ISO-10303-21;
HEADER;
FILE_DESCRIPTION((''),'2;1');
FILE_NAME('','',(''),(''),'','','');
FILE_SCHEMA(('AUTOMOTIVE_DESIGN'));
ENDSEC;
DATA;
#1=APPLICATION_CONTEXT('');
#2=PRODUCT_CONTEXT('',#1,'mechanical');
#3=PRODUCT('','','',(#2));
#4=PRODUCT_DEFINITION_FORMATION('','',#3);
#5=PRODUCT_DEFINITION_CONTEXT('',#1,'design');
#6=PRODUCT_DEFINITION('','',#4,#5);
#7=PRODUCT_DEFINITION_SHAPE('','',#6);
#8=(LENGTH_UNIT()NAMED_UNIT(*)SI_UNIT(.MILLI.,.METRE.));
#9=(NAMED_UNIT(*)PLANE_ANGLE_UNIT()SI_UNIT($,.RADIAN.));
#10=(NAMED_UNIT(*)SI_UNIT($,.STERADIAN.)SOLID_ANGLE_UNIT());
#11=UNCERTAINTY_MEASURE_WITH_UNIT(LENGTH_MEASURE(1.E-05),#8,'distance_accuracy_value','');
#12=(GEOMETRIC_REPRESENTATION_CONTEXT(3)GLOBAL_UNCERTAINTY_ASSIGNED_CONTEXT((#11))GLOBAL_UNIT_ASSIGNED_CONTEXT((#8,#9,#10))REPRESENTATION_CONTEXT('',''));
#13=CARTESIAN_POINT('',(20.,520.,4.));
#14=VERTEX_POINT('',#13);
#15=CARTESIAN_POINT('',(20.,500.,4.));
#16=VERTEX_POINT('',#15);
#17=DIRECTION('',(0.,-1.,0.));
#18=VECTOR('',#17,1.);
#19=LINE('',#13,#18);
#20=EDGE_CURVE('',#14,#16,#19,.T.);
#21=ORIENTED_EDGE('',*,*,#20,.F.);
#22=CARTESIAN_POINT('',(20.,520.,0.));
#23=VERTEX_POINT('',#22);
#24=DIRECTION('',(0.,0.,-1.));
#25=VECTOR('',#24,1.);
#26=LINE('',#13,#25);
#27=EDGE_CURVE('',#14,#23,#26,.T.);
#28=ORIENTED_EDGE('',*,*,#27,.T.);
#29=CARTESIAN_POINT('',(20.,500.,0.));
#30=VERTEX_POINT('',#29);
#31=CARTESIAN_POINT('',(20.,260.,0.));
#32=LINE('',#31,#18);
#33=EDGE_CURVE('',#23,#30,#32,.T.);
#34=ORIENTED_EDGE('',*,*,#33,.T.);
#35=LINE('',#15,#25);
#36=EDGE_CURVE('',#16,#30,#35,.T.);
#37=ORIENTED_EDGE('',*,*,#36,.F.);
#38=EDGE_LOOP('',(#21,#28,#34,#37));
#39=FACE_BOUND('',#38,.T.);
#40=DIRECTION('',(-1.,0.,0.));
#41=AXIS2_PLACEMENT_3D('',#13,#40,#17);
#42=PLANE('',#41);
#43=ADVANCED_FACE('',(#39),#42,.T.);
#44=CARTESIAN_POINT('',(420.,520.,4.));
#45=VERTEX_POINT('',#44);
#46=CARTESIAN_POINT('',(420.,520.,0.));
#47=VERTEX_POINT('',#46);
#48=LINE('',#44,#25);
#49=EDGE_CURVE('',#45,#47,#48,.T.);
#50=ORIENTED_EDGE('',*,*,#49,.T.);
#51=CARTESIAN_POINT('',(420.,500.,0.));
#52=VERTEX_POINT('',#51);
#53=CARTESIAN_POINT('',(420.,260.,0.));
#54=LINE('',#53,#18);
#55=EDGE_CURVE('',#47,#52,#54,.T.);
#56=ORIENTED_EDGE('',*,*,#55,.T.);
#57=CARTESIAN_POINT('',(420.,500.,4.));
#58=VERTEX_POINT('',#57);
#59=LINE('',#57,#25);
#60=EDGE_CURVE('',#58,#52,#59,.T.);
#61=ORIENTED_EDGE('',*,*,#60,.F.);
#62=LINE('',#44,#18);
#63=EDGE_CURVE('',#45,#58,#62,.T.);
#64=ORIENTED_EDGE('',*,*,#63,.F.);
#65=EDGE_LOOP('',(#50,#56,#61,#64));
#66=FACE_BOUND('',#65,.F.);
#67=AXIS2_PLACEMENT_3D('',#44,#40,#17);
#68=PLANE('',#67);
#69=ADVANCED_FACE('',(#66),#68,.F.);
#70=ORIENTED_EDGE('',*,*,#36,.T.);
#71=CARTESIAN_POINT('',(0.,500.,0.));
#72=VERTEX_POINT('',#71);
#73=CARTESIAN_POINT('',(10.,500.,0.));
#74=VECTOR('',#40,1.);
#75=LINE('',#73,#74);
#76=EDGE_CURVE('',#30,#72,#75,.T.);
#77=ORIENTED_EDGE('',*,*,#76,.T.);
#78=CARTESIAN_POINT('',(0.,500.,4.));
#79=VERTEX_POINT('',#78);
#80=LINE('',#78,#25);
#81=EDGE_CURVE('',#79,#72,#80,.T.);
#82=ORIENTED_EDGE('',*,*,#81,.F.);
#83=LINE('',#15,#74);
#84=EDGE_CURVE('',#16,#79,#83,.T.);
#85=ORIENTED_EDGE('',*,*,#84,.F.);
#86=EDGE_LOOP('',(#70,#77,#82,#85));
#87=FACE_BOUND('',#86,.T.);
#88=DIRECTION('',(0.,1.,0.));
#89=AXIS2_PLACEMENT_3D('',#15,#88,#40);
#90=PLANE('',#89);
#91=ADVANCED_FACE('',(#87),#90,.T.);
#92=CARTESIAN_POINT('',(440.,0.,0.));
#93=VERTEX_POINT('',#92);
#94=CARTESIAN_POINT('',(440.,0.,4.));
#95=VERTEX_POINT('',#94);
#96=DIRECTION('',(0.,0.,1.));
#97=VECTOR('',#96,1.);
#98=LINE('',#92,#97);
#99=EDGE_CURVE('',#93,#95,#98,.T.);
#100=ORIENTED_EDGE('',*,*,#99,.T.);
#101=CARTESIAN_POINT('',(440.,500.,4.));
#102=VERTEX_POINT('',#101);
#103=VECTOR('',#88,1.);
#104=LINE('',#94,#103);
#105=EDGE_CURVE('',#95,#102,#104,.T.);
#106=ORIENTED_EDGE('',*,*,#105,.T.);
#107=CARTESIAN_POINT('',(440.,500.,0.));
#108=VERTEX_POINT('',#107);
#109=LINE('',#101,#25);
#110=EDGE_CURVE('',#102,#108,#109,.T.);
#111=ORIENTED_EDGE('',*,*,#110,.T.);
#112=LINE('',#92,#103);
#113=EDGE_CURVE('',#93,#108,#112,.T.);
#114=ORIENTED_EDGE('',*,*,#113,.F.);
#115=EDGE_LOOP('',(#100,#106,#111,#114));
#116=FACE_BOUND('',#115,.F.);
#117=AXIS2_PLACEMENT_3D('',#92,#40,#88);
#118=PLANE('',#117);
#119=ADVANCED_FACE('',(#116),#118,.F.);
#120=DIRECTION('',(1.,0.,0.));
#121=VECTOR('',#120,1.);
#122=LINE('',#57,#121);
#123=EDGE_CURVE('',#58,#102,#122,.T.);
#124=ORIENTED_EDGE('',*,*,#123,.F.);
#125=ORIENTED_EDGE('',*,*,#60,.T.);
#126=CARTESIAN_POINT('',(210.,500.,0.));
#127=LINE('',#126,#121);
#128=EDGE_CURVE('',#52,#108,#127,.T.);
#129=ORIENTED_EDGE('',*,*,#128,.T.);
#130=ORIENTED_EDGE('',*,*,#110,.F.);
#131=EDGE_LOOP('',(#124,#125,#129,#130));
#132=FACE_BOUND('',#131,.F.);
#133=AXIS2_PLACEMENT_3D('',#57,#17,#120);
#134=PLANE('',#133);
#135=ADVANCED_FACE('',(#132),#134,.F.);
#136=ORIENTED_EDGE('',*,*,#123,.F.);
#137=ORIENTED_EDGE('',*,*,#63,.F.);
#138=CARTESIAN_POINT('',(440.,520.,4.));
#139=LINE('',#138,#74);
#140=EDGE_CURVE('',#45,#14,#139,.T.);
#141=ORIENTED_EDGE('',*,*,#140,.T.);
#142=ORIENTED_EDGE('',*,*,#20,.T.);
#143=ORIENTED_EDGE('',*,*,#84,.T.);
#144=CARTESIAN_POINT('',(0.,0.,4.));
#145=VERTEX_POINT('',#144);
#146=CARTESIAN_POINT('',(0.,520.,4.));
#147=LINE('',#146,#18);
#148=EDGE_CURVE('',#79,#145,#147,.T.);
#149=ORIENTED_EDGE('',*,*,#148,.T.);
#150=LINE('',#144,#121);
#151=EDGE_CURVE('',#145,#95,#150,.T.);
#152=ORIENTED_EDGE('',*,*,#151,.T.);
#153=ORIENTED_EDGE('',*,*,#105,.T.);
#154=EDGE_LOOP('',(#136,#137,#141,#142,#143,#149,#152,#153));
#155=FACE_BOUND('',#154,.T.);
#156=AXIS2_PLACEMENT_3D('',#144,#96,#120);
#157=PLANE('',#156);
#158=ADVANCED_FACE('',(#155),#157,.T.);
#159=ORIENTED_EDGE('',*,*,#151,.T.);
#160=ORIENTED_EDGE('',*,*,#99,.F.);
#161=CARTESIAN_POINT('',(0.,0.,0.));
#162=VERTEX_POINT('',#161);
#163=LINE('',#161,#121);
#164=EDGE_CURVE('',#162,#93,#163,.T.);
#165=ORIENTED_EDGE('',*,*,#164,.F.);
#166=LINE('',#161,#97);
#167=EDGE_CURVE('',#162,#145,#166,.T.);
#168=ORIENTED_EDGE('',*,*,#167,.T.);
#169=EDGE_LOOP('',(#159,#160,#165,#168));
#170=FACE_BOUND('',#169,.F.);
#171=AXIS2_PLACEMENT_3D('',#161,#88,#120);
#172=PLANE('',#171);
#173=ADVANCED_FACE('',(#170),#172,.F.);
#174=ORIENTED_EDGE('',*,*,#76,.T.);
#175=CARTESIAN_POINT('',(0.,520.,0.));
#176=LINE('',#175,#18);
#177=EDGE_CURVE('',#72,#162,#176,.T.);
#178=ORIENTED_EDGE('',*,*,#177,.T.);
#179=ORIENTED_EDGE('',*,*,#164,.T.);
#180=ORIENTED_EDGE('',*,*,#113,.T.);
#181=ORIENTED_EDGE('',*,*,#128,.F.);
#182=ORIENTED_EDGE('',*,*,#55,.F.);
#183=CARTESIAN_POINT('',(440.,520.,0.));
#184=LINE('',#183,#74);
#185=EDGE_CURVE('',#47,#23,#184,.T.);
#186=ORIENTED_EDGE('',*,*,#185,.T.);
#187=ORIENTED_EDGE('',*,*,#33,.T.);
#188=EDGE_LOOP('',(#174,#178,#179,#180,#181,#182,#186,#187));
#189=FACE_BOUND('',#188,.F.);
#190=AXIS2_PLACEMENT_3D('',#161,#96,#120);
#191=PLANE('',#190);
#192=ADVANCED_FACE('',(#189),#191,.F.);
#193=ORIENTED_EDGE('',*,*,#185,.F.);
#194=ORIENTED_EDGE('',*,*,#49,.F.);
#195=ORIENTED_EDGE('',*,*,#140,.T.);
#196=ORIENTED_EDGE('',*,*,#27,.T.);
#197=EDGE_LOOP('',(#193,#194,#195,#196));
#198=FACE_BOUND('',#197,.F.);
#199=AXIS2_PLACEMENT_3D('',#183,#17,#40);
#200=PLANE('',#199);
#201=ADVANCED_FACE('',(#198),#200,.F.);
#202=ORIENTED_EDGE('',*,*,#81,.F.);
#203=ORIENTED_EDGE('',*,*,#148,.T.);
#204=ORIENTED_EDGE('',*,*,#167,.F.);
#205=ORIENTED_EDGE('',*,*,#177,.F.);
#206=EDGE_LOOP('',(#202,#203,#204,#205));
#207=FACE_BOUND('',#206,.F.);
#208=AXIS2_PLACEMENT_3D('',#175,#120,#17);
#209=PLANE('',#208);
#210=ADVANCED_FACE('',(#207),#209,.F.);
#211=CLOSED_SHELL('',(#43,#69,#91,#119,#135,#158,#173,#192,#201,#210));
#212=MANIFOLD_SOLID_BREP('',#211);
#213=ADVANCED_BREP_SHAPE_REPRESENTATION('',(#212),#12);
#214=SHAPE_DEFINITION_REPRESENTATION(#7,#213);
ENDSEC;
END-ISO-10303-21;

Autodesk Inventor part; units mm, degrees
ref_plane "YZ Plane" through (0, 0, 0) normal (1, 0, 0) x (0, 1, 0)
ref_plane "XZ Plane" through (0, 0, 0) normal (0, 1, 0) x (-1, 0, 0)
ref_plane "XY Plane" through (0, 0, 0) normal (0, 0, 1) x (1, 0, 0)
sketch "スケッチ1" plane through (0, 0, 0) normal (0, 0, 1) x (1, 0, 0)
  line L0 (0, 0) -> (440, 0)
  line L1 (440, 0) -> (440, 520)
  line L2 (440, 520) -> (0, 520)
  line L3 (0, 520) -> (0, 0)
  dimension "d0" = 440
  dimension "d1" = 520
extrude "押し出し1" add sketch "スケッチ1" along normal blind 4
sketch "スケッチ2" plane through (0, 0, 4) normal (0, 0, 1) x (1, 0, 0)
  line L0 (440, 520) -> (0, 520) projected
  line L1 (0, 520) -> (20, 520)
  line L2 (20, 520) -> (20, 500)
  line L3 (20, 500) -> (0, 500)
  line L4 (0, 500) -> (0, 520)
  line L5 (440, 520) -> (420, 520)
  line L6 (420, 520) -> (420, 500)
  line L7 (420, 500) -> (440, 500)
  line L8 (440, 500) -> (440, 520)
  point P0 (0, 0)
  dimension "d4" = 20
extrude "押し出し2" cut sketch "スケッチ2" against normal blind 10
properties part number "防水2-1"
